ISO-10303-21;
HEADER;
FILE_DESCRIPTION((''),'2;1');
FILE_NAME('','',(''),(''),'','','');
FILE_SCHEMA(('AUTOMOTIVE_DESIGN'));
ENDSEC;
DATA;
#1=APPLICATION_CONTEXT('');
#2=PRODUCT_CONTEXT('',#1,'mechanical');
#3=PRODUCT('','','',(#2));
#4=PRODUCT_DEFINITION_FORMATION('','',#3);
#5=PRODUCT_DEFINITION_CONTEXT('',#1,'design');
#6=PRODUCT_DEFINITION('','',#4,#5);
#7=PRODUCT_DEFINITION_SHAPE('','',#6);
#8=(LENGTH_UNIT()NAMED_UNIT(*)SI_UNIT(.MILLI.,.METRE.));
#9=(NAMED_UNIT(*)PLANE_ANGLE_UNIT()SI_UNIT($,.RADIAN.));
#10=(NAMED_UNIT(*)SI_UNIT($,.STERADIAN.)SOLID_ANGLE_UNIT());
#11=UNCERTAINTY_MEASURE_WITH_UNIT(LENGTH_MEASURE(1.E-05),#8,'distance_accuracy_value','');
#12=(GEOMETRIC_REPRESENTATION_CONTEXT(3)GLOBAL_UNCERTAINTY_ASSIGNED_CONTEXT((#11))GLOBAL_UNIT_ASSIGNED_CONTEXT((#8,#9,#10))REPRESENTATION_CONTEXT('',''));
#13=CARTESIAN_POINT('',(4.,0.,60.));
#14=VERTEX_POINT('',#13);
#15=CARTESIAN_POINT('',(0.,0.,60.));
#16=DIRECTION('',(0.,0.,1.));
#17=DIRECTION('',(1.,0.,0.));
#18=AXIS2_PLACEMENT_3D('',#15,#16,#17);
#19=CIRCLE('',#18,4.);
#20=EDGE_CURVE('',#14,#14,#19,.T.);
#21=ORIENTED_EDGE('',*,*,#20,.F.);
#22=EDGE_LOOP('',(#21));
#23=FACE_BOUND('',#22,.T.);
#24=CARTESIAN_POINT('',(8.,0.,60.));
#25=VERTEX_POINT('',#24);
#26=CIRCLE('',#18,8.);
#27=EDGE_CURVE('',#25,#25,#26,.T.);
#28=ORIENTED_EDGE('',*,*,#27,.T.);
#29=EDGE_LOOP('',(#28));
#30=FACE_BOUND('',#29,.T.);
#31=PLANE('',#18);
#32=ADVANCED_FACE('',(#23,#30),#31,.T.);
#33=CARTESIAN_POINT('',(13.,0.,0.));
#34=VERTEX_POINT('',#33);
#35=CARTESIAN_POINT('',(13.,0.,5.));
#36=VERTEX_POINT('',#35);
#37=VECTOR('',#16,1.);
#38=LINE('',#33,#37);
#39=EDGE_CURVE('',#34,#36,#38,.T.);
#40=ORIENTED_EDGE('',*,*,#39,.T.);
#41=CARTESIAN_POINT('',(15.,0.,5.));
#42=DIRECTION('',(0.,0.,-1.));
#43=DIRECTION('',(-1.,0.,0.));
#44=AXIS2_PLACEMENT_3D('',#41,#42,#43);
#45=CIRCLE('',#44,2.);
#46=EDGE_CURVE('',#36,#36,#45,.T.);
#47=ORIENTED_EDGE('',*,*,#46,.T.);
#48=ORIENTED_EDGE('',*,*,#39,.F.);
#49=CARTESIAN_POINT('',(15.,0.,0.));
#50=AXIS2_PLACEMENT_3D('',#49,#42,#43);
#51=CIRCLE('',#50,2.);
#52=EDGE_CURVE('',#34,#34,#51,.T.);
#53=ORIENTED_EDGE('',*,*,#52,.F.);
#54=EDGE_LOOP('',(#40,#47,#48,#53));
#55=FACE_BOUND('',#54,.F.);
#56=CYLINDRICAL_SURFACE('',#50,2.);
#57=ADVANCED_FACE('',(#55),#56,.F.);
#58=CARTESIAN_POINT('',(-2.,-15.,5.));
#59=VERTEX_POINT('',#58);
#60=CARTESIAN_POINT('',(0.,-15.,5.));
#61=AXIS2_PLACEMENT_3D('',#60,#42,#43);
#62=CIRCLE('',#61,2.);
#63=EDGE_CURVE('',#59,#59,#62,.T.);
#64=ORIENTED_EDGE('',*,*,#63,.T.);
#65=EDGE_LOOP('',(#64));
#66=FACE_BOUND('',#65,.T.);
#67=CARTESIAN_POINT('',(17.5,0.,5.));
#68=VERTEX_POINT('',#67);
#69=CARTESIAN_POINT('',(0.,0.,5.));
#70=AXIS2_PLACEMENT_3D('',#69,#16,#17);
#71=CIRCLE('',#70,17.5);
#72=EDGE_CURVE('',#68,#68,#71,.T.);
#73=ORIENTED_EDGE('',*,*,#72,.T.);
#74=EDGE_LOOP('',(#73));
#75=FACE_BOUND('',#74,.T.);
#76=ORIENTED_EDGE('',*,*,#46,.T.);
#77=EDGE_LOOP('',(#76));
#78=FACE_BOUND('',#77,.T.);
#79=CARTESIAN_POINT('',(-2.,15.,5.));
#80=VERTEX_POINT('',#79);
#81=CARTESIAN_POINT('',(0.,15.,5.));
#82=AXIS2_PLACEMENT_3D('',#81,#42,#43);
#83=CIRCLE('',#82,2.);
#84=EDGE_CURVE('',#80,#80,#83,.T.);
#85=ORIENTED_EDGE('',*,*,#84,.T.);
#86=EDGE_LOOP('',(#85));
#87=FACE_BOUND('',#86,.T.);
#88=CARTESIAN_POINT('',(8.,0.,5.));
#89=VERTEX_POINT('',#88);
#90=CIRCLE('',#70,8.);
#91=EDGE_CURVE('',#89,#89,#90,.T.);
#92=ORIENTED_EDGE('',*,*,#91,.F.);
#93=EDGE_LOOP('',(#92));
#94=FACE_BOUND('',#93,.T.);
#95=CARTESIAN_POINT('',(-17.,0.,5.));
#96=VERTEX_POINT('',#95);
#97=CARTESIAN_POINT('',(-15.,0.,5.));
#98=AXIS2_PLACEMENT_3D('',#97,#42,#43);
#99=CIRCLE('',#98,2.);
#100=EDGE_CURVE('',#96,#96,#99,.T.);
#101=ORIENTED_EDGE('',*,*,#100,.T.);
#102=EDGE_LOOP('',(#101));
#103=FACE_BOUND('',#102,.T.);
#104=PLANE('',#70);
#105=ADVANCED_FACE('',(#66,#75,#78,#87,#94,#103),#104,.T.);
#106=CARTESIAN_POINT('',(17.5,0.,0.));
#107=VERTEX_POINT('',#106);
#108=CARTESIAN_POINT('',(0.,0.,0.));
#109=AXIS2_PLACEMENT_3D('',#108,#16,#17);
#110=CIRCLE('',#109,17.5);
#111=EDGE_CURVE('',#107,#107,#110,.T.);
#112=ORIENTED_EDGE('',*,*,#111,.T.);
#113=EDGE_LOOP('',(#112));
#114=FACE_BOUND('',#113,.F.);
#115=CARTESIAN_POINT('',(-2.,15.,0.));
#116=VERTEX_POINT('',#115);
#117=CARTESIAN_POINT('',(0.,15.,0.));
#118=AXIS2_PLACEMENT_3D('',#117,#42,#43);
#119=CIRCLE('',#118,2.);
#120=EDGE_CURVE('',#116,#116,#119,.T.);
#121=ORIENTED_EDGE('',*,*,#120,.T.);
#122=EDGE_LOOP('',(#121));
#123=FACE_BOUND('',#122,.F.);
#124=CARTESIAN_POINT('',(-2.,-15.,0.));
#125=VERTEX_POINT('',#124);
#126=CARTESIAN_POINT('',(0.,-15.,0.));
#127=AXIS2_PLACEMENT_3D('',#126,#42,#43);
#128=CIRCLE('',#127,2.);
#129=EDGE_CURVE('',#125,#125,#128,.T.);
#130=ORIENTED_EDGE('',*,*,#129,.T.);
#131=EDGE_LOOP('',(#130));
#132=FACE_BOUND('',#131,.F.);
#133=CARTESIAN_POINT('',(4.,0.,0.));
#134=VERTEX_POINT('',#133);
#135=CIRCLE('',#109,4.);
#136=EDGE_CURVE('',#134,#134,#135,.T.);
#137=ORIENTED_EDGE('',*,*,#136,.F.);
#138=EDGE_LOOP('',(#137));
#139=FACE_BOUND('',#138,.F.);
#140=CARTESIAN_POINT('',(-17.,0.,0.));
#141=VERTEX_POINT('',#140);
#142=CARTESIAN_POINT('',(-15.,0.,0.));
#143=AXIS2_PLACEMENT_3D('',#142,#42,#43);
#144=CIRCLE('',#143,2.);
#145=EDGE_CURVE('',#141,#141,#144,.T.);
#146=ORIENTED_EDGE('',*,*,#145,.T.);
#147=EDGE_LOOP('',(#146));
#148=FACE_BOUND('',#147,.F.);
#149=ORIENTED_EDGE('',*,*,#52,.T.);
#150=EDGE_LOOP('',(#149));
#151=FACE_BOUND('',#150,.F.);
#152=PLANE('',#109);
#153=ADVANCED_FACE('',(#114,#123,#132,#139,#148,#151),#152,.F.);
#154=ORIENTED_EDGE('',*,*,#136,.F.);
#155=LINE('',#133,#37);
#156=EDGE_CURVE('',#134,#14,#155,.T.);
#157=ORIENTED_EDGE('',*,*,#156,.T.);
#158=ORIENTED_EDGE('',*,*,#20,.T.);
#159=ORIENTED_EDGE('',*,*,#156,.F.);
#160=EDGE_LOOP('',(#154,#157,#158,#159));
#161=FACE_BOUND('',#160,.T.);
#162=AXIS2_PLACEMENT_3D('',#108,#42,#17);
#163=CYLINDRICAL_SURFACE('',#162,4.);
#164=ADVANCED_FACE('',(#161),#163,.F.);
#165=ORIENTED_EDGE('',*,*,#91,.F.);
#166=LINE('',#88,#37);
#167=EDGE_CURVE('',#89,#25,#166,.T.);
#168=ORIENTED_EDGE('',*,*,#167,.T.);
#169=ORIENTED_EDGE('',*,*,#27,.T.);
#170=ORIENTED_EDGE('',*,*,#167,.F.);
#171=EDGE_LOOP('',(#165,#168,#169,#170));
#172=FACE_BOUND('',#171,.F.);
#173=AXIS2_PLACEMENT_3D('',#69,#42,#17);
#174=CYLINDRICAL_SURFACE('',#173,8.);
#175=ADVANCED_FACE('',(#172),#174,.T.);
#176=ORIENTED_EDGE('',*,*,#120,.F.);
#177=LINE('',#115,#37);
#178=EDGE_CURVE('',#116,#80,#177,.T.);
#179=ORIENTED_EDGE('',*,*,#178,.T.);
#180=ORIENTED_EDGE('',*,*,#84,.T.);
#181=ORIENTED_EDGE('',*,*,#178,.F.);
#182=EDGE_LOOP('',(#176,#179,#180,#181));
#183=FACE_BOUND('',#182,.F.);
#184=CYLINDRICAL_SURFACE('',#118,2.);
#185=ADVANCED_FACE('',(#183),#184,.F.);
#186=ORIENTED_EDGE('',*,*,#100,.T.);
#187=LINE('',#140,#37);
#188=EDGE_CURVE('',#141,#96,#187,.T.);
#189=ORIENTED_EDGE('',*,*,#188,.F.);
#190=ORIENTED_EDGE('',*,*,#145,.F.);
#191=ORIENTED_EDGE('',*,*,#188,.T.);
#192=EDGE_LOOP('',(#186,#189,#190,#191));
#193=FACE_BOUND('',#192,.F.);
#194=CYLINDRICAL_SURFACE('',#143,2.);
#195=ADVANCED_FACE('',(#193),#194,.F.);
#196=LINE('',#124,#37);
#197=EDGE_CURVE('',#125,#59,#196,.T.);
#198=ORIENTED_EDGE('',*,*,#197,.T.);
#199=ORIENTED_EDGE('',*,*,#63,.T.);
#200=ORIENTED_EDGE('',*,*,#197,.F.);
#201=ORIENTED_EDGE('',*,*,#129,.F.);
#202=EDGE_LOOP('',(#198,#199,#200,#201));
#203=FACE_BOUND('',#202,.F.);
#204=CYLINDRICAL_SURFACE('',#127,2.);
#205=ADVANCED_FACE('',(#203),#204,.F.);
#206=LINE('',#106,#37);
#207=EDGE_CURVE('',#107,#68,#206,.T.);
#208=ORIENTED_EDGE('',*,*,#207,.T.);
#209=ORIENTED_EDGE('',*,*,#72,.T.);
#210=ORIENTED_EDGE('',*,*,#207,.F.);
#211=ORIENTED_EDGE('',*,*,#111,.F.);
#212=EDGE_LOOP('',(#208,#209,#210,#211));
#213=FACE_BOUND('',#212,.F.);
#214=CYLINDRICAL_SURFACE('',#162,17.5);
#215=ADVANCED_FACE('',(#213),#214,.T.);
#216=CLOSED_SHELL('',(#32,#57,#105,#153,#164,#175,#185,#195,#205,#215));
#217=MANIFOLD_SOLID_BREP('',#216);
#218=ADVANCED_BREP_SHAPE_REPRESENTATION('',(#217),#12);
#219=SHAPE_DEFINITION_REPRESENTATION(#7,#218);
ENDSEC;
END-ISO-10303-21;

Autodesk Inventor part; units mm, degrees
ref_plane "YZ Plane" through (0, 0, 0) normal (1, 0, 0) x (0, 1, 0)
ref_plane "XZ Plane" through (0, 0, 0) normal (0, 1, 0) x (-1, 0, 0)
ref_plane "XY Plane" through (0, 0, 0) normal (0, 0, 1) x (1, 0, 0)
sketch "Sketch3" plane through (0, 0, 0) normal (0, 0, 1) x (1, 0, 0)
  circle A0 centre (0, 0) radius 4
  circle A1 centre (0, 0) radius 17.5
  dimension "d0" = 8
  dimension "d1" = 35
extrude "Extrusion1" add sketch "Sketch3" along normal blind 5
sketch "Sketch4" plane through (0, 0, 5) normal (0, 0, 1) x (1, 0, 0)
  circle A0 centre (0, 0) radius 4
  circle A1 centre (0, 0) radius 8
  dimension "d4" = 16
  dimension "d5" = 8
extrude "Extrusion2" add sketch "Sketch4" along normal blind 55
sketch "Sketch5" plane through (0, 0, 0) normal (0, 0, -1) x (-1, 0, 0)
  circle A0 centre (15, 0) radius 2
  circle A1 centre (0, 15) radius 2
  circle A2 centre (0, -15) radius 2
  circle A3 centre (-15, 0) radius 2
  point P0 (0, 0)
  dimension "d8" = 4
  dimension "d9" = 15
  dimension "d10" = 15
  dimension "d11" = 15
  dimension "d12" = 15
  dimension "d13" = 4
  dimension "d14" = 4
  dimension "d15" = 4
extrude "Extrusion3" cut sketch "Sketch5" against normal through all
equation "\"d0\" = RodDiameter"
equation "\"d4\" = VerticalBearingOD"
equation "\"d5\" = RodDiameter"
equation "\"d9\" = 0.5 * VerticalBearingMountingHoleDiameter"
equation "\"d10\" = 0.5 * VerticalBearingMountingHoleDiameter"
equation "\"d11\" = 0.5 * VerticalBearingMountingHoleDiameter"
equation "\"d12\" = 0.5 * VerticalBearingMountingHoleDiameter"
equation "\"d13\" = d8"
equation "\"d14\" = d8"
equation "\"d15\" = d8"
equation "\"RodDiameter\" = 8"
equation "\"VerticalBearingOD\" = 16"
equation "\"PrintingClearance\" = 0.2"
equation "\"VerticalBearingMountingHoleDiameter\" = 30"
properties part number "VerticalBearing"
